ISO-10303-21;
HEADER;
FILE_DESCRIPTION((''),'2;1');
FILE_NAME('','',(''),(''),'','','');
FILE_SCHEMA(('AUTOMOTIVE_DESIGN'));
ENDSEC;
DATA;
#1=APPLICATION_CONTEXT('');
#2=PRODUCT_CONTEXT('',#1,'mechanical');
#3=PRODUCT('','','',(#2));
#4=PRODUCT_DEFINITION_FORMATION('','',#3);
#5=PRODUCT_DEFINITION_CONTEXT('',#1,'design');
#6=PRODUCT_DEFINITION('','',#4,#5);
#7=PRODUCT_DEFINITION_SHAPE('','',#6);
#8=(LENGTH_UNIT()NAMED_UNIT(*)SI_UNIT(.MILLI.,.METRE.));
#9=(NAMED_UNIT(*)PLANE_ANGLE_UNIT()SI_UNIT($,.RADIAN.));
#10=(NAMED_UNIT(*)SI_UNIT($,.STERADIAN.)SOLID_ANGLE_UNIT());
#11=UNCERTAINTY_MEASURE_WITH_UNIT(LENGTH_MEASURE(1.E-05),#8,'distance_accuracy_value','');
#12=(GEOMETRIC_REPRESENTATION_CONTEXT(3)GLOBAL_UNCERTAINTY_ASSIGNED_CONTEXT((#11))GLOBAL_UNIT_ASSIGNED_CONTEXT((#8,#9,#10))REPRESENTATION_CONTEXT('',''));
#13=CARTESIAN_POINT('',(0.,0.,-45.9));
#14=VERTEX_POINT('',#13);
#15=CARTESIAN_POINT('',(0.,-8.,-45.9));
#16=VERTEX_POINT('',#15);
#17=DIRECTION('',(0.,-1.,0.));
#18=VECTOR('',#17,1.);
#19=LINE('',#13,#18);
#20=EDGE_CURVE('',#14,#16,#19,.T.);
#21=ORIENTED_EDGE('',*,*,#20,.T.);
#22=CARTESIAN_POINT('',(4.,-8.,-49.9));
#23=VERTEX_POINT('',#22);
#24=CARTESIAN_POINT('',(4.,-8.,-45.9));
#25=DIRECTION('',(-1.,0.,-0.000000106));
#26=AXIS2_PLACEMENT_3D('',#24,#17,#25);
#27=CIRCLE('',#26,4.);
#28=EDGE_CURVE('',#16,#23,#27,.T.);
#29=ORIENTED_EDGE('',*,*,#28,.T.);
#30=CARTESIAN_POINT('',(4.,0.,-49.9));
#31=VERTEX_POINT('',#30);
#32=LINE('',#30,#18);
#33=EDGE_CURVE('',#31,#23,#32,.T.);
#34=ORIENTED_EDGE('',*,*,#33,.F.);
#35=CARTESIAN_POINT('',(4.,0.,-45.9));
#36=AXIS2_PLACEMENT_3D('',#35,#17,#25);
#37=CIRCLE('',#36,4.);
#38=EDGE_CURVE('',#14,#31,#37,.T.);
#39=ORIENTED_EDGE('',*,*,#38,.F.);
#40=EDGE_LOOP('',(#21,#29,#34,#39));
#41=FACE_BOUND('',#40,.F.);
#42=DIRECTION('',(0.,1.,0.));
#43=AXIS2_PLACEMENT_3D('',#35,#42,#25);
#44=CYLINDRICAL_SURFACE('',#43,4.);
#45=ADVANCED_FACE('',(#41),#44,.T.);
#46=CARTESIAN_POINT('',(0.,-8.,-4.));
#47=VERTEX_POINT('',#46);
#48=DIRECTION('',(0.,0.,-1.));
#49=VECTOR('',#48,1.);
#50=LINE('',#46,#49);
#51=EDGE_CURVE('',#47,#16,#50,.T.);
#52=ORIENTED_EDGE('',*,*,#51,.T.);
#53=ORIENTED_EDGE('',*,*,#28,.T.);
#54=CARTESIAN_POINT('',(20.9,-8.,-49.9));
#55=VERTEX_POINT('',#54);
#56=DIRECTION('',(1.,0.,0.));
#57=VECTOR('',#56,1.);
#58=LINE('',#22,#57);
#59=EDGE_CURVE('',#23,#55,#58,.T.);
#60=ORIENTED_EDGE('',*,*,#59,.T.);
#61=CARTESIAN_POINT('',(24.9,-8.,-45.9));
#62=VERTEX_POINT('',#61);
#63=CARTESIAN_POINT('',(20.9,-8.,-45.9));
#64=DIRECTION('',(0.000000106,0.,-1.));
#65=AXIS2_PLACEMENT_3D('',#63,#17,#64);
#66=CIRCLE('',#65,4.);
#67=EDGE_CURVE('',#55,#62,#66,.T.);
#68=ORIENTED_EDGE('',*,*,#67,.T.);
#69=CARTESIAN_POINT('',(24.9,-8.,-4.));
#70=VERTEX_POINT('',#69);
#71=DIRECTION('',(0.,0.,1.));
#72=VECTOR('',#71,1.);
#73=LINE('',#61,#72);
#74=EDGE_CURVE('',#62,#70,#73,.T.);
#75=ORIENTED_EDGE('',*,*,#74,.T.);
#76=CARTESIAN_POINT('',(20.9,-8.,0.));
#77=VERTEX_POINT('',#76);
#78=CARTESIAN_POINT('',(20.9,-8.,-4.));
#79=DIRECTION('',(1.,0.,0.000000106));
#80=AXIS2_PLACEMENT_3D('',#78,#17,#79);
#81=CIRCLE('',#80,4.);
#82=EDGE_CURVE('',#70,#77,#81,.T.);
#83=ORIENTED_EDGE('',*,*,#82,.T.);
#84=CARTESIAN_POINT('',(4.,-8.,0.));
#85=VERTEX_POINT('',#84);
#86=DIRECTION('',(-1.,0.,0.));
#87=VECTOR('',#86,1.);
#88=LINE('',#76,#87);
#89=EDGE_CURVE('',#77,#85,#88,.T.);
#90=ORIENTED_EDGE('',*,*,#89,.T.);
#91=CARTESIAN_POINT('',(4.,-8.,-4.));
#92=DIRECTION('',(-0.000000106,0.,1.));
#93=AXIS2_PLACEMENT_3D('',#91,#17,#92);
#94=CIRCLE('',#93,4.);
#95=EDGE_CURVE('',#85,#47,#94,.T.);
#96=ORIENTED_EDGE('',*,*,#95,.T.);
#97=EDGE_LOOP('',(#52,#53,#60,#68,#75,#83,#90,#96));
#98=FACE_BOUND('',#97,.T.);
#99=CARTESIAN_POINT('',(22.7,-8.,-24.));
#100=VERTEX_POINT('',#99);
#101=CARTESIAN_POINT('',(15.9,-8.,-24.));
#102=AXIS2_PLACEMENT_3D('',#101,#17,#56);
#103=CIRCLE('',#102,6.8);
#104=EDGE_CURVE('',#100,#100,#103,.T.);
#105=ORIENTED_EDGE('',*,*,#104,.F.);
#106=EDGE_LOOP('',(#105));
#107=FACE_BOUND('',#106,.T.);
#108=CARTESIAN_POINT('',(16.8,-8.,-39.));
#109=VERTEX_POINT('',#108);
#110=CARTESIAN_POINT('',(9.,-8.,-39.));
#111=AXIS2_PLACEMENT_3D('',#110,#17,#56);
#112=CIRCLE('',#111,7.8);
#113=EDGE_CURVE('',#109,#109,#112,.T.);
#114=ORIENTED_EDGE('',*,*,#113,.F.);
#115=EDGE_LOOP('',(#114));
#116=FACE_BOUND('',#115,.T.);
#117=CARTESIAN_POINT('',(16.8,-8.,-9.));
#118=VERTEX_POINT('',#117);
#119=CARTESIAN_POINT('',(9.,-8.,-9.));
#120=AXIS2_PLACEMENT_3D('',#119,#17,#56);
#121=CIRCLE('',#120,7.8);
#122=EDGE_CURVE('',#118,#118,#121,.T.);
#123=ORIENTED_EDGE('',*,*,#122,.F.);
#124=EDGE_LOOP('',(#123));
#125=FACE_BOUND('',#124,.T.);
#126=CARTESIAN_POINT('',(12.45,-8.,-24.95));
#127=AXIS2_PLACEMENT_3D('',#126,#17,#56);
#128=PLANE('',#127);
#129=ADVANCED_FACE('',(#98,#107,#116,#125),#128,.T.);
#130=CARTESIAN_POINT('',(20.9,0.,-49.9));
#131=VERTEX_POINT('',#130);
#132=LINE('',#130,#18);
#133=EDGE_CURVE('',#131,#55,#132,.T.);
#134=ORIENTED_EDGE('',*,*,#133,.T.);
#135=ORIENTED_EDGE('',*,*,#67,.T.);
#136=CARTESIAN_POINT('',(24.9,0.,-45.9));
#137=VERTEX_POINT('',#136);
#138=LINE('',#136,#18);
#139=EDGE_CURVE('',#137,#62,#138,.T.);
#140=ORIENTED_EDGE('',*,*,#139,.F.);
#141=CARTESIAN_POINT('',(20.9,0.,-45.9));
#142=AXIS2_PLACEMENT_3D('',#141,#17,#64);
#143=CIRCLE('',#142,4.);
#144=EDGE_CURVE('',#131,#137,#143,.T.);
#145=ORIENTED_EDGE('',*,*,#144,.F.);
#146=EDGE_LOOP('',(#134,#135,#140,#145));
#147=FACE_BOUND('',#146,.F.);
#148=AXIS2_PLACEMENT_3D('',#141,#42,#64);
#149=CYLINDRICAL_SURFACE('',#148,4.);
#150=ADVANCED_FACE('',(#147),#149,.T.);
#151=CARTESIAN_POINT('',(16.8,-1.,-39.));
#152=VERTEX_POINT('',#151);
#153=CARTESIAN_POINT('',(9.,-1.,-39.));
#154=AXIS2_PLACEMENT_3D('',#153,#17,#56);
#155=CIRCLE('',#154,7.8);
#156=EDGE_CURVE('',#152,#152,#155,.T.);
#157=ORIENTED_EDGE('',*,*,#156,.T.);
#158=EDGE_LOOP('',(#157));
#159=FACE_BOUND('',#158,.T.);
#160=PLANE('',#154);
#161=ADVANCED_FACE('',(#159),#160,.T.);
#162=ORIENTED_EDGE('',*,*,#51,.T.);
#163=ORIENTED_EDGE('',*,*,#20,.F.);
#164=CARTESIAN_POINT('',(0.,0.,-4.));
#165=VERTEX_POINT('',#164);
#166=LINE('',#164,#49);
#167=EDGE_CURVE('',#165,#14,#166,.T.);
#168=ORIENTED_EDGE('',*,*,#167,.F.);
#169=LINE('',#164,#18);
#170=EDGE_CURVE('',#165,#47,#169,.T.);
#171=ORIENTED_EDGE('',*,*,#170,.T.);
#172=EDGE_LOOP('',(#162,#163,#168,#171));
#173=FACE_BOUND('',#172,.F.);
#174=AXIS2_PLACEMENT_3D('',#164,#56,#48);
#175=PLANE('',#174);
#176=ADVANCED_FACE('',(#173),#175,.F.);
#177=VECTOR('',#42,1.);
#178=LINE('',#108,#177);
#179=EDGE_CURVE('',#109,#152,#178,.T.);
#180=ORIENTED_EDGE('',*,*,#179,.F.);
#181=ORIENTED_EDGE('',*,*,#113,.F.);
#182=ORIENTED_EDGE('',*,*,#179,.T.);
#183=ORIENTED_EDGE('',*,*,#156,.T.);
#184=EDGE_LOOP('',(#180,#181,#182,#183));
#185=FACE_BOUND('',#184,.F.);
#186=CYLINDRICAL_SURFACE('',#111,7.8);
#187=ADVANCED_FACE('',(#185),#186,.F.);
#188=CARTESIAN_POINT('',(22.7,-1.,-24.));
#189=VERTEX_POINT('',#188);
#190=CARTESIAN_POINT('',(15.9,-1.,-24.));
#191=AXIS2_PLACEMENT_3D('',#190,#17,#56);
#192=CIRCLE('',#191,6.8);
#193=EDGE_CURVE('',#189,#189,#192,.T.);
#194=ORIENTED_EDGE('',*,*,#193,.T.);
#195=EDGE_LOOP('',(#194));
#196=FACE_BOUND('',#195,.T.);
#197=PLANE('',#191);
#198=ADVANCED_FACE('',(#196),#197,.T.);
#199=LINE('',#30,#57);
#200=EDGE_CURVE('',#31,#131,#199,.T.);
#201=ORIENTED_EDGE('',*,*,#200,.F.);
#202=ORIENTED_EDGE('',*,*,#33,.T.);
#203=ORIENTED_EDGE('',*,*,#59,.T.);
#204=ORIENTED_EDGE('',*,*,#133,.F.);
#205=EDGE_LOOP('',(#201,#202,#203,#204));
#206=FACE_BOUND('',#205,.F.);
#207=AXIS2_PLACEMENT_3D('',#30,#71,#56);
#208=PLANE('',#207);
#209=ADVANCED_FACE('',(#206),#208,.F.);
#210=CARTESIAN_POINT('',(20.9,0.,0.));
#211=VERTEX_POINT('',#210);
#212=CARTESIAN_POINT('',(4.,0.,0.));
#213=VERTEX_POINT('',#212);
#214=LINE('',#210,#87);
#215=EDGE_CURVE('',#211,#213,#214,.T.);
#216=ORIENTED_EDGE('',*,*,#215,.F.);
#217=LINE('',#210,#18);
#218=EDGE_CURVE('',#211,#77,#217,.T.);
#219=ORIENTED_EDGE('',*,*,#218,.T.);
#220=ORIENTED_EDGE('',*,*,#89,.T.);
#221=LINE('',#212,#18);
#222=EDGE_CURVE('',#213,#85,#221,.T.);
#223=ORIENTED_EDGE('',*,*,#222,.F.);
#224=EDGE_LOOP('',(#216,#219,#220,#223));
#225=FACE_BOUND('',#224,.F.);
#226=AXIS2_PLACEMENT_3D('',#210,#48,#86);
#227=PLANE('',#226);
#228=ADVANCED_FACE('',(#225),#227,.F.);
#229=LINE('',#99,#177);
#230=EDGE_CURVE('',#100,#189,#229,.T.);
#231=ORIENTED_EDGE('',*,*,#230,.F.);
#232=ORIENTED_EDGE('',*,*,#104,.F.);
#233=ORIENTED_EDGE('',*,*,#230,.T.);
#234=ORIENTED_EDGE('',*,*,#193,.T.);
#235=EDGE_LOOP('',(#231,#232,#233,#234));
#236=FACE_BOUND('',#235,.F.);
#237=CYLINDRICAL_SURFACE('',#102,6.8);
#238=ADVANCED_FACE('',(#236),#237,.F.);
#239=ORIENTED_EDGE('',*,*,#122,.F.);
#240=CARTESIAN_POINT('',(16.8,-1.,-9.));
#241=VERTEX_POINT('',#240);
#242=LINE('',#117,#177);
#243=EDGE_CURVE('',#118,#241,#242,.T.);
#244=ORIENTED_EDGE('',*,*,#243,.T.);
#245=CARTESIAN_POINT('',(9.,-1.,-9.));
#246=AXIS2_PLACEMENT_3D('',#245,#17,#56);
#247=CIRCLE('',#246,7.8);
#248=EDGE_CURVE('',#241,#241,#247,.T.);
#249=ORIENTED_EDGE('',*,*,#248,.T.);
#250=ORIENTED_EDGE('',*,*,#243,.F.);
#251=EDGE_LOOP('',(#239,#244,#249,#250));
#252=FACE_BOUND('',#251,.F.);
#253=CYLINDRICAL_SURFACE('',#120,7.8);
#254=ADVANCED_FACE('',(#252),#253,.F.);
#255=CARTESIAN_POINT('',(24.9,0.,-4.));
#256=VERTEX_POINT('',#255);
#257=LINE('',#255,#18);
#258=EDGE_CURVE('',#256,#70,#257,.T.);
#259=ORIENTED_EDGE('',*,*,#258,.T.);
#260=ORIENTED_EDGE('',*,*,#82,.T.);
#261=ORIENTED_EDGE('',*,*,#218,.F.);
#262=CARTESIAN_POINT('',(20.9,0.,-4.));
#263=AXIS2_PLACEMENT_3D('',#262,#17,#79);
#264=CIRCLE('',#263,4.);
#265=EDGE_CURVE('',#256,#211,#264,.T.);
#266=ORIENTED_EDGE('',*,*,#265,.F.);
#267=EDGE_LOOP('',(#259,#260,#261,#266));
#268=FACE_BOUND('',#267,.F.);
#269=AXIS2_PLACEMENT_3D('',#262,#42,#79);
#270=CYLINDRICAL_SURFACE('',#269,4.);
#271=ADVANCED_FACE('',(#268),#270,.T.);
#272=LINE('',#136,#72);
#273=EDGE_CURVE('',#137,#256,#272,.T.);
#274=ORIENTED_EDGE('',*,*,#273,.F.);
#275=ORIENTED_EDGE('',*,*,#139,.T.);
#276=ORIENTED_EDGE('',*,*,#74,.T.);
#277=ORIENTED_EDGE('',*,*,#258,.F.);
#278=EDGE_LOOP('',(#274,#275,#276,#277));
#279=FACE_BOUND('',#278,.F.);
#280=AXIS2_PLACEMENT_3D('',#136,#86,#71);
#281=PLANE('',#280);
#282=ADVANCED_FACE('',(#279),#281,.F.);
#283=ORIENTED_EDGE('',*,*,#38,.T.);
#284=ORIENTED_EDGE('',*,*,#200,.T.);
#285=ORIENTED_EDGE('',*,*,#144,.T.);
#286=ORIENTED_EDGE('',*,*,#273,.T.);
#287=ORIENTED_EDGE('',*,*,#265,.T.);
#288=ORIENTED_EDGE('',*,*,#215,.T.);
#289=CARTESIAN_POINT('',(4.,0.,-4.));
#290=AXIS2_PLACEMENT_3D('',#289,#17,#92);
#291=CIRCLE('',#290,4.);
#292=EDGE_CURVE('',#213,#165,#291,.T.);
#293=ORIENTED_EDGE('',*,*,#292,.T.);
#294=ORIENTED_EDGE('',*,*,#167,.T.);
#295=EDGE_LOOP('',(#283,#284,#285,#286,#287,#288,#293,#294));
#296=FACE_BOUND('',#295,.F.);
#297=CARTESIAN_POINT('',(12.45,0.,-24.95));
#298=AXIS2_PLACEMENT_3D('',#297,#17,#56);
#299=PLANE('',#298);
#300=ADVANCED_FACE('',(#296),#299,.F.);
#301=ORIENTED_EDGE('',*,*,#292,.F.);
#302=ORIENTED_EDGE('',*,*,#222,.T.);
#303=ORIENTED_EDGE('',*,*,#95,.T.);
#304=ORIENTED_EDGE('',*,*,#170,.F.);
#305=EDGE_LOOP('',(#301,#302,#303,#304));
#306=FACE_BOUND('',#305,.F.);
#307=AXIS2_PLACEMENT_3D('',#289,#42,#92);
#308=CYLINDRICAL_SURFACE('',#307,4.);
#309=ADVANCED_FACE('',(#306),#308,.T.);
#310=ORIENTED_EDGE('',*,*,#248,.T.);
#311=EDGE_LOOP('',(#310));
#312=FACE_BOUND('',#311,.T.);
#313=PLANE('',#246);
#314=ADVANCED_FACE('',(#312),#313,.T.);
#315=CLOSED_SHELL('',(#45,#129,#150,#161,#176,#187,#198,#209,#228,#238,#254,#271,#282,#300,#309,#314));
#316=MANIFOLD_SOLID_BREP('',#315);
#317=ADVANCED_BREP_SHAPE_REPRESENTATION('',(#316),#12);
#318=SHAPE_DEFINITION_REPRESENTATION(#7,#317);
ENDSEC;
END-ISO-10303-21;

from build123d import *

# Parameters (mm, degrees)
F1_DEPTH = 8
F2_R     = 7.8
F2_R_2   = 6.8
F3_DEPTH = 7


with BuildPart() as f1:
    # F0 (on Front) → F1 (new body)
    with BuildSketch(Plane.XZ):
        with BuildLine():
            Line((20.9, 0), (4, 0))
            ThreePointArc((4, 0), (1.171573, -1.171573), (0, -4))
            Line((0, -4), (0, -45.9))
            ThreePointArc((0, -45.9), (1.171573, -48.728427), (4, -49.9))
            Line((4, -49.9), (20.9, -49.9))
            ThreePointArc((20.9, -49.9), (23.728427, -48.728427), (24.9, -45.9))
            Line((24.9, -45.9), (24.9, -4))
            ThreePointArc((24.9, -4), (23.728427, -1.171573), (20.9, 0))
        make_face()
    extrude(amount=F1_DEPTH)

    # F2 (on face) → F3 (cut)
    with BuildSketch(Plane.XZ.offset(8)):
        with Locations((9, -9)):
            Circle(F2_R)
        with Locations((15.9, -24)):
            Circle(F2_R_2)
        with Locations((9, -39)):
            Circle(F2_R)
    extrude(amount=-F3_DEPTH, mode=Mode.SUBTRACT)


solid = f1.part
